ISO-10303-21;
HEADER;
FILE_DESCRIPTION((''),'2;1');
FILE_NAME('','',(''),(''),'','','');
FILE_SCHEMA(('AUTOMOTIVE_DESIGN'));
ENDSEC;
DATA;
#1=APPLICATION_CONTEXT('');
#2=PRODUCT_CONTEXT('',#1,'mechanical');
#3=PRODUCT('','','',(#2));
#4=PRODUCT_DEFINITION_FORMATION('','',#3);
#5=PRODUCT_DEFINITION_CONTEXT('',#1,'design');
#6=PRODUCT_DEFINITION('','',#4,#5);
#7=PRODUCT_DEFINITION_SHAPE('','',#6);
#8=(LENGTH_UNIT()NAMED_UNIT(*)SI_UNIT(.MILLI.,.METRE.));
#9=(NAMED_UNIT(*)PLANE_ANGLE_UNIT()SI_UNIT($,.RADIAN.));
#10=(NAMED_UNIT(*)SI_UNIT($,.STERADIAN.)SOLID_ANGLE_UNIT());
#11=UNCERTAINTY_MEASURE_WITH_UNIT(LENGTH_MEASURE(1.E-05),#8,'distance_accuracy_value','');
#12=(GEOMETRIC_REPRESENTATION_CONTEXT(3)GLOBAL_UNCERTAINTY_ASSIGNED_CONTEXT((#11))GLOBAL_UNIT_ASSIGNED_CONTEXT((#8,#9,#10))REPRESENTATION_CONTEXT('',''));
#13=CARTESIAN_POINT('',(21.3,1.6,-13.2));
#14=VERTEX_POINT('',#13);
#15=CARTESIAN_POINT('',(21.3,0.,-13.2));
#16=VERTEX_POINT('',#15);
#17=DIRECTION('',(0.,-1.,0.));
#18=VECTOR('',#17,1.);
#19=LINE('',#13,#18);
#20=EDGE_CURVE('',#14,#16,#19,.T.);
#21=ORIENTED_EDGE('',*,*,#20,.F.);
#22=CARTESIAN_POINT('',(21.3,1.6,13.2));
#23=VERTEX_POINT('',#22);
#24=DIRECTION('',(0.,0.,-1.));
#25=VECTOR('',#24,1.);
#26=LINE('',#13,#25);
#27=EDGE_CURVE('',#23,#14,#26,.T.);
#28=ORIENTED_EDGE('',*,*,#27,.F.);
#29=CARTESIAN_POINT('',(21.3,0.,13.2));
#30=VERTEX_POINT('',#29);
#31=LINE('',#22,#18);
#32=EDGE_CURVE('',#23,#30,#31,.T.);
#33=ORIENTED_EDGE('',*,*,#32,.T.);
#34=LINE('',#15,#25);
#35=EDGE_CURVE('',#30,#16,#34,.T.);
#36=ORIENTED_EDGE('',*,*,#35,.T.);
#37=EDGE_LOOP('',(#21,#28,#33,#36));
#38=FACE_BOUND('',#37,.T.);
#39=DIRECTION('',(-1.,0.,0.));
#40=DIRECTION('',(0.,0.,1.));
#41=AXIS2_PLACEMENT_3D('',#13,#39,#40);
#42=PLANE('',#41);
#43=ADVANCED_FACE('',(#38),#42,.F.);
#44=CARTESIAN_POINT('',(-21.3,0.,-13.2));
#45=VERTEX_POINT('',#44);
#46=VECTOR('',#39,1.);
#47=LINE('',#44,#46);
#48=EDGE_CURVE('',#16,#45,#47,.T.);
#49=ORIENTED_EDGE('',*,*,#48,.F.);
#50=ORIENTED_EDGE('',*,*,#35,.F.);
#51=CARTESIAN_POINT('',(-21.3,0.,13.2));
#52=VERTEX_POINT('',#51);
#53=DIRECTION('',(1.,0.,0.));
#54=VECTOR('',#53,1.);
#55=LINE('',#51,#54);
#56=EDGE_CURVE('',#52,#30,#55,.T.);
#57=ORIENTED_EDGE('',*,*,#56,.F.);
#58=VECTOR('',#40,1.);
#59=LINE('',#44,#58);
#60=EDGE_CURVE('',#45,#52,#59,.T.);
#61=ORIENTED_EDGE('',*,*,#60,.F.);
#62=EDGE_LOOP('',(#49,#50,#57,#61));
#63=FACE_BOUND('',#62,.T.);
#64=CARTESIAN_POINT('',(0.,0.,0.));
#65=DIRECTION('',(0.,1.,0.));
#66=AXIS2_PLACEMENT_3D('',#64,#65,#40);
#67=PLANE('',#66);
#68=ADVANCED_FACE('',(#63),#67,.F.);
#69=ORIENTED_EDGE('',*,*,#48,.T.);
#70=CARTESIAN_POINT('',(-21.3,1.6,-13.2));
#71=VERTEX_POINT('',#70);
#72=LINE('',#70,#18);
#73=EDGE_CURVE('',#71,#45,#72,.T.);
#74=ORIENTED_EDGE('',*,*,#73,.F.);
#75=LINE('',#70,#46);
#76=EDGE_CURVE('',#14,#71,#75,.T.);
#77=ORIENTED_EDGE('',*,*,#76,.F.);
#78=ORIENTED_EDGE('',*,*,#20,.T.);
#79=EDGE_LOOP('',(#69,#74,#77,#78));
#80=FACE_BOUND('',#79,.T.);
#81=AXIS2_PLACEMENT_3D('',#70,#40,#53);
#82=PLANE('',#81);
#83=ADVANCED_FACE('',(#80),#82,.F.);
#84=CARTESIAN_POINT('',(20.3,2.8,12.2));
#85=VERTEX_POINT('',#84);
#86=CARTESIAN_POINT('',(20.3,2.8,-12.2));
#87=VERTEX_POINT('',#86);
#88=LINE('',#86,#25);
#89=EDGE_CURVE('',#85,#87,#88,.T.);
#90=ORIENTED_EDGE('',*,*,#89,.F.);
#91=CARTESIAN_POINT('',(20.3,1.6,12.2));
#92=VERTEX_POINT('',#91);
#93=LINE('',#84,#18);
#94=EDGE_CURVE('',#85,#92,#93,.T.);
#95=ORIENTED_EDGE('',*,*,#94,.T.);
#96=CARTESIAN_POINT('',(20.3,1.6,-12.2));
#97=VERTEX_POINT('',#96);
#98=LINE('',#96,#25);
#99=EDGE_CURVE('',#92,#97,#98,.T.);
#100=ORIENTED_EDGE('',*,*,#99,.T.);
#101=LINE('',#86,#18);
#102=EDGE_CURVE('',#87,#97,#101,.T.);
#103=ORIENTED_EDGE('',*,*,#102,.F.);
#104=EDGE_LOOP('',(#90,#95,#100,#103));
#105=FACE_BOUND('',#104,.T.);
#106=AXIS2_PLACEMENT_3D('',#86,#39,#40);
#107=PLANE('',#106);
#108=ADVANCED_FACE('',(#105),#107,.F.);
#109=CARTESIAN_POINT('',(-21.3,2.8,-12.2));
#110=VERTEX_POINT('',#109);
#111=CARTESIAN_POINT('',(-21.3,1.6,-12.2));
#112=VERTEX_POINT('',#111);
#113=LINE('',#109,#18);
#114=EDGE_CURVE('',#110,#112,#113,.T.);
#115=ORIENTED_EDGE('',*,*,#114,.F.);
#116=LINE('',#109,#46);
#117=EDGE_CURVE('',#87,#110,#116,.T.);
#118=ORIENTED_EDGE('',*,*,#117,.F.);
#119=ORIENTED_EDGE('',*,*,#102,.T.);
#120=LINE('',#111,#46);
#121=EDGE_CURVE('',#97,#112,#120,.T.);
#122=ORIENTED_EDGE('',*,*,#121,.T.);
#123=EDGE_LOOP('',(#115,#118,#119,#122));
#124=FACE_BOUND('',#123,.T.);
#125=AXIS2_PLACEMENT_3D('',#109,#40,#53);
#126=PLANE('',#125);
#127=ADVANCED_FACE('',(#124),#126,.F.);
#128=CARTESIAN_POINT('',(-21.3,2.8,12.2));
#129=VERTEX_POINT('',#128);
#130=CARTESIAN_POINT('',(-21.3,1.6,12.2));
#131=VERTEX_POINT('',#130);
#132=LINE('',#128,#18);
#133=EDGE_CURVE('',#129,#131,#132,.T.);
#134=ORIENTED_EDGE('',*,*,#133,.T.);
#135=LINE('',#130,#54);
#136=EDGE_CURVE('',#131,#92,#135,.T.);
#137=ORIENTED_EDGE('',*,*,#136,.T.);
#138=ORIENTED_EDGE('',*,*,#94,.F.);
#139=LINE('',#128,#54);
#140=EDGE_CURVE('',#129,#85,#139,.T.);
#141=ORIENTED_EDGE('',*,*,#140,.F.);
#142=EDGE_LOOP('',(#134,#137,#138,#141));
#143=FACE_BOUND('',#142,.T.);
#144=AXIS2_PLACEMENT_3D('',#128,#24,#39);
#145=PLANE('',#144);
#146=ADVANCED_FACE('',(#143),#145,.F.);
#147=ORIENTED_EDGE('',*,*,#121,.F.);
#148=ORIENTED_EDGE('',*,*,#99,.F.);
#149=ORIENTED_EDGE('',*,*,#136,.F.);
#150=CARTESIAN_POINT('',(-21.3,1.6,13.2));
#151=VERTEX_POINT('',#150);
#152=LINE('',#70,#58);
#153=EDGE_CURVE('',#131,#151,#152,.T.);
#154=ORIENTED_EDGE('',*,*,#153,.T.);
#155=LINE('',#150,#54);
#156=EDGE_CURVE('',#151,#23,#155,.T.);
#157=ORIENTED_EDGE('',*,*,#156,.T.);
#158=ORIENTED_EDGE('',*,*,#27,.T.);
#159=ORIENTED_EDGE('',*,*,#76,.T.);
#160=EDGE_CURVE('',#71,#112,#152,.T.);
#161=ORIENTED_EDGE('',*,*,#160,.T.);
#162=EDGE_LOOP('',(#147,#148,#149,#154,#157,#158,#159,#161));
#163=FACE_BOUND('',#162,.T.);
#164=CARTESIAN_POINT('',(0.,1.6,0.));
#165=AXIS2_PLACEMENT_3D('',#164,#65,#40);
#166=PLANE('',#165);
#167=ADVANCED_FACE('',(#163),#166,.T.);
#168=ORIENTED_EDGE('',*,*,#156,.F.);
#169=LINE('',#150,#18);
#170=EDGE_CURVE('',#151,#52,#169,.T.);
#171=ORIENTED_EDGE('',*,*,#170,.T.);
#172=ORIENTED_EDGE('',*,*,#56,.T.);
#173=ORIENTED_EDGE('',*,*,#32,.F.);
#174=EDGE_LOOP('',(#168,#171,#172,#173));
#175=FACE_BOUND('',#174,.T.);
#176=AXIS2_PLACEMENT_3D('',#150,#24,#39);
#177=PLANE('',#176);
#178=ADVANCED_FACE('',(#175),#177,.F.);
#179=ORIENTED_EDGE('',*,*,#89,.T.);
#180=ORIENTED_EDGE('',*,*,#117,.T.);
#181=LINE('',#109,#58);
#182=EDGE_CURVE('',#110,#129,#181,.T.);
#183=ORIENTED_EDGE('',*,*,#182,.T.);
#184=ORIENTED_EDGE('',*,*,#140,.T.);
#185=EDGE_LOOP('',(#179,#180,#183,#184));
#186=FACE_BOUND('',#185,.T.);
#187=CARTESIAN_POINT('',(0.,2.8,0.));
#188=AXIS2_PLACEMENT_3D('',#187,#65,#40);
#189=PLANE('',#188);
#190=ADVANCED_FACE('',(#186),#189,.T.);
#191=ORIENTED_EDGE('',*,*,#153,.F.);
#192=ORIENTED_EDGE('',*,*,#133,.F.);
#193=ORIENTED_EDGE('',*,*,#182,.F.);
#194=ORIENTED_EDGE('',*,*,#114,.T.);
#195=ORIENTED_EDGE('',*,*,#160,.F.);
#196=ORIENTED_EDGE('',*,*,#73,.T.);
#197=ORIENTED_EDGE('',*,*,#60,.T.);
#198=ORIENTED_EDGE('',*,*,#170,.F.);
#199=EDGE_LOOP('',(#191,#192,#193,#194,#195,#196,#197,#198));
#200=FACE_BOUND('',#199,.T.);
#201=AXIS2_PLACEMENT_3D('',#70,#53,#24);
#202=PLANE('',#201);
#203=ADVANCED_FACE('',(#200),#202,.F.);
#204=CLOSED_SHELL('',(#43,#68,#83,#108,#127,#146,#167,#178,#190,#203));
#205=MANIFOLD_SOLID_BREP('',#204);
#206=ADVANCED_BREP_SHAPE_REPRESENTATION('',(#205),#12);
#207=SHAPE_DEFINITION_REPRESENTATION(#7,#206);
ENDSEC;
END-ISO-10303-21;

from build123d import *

# Parameters (mm, degrees)
SKETCH_2_W      = 42.6
SKETCH_2_H      = 26.4
EXTRUDE_1_DEPTH = 1.6
SKETCH_3_W      = 41.6
SKETCH_3_H      = 24.4
EXTRUDE_2_DEPTH = 1.2


with BuildPart() as part:
    # 草图2 → 凸台-拉伸1 (new body)
    with BuildSketch(Plane(origin=(0, 0, 0), x_dir=(1, 0, 0), z_dir=(0, 1, 0))):
        Rectangle(SKETCH_2_W, SKETCH_2_H)
    extrude(amount=EXTRUDE_1_DEPTH)

    # 草图3 → 凸台-拉伸2 (add)
    with BuildSketch(Plane(origin=(0, 1.6, 0), x_dir=(1, 0, 0), z_dir=(0, 1, 0))):
        with Locations((-0.5, 0)):
            Rectangle(SKETCH_3_W, SKETCH_3_H)
    extrude(amount=EXTRUDE_2_DEPTH)


solid = part.part
